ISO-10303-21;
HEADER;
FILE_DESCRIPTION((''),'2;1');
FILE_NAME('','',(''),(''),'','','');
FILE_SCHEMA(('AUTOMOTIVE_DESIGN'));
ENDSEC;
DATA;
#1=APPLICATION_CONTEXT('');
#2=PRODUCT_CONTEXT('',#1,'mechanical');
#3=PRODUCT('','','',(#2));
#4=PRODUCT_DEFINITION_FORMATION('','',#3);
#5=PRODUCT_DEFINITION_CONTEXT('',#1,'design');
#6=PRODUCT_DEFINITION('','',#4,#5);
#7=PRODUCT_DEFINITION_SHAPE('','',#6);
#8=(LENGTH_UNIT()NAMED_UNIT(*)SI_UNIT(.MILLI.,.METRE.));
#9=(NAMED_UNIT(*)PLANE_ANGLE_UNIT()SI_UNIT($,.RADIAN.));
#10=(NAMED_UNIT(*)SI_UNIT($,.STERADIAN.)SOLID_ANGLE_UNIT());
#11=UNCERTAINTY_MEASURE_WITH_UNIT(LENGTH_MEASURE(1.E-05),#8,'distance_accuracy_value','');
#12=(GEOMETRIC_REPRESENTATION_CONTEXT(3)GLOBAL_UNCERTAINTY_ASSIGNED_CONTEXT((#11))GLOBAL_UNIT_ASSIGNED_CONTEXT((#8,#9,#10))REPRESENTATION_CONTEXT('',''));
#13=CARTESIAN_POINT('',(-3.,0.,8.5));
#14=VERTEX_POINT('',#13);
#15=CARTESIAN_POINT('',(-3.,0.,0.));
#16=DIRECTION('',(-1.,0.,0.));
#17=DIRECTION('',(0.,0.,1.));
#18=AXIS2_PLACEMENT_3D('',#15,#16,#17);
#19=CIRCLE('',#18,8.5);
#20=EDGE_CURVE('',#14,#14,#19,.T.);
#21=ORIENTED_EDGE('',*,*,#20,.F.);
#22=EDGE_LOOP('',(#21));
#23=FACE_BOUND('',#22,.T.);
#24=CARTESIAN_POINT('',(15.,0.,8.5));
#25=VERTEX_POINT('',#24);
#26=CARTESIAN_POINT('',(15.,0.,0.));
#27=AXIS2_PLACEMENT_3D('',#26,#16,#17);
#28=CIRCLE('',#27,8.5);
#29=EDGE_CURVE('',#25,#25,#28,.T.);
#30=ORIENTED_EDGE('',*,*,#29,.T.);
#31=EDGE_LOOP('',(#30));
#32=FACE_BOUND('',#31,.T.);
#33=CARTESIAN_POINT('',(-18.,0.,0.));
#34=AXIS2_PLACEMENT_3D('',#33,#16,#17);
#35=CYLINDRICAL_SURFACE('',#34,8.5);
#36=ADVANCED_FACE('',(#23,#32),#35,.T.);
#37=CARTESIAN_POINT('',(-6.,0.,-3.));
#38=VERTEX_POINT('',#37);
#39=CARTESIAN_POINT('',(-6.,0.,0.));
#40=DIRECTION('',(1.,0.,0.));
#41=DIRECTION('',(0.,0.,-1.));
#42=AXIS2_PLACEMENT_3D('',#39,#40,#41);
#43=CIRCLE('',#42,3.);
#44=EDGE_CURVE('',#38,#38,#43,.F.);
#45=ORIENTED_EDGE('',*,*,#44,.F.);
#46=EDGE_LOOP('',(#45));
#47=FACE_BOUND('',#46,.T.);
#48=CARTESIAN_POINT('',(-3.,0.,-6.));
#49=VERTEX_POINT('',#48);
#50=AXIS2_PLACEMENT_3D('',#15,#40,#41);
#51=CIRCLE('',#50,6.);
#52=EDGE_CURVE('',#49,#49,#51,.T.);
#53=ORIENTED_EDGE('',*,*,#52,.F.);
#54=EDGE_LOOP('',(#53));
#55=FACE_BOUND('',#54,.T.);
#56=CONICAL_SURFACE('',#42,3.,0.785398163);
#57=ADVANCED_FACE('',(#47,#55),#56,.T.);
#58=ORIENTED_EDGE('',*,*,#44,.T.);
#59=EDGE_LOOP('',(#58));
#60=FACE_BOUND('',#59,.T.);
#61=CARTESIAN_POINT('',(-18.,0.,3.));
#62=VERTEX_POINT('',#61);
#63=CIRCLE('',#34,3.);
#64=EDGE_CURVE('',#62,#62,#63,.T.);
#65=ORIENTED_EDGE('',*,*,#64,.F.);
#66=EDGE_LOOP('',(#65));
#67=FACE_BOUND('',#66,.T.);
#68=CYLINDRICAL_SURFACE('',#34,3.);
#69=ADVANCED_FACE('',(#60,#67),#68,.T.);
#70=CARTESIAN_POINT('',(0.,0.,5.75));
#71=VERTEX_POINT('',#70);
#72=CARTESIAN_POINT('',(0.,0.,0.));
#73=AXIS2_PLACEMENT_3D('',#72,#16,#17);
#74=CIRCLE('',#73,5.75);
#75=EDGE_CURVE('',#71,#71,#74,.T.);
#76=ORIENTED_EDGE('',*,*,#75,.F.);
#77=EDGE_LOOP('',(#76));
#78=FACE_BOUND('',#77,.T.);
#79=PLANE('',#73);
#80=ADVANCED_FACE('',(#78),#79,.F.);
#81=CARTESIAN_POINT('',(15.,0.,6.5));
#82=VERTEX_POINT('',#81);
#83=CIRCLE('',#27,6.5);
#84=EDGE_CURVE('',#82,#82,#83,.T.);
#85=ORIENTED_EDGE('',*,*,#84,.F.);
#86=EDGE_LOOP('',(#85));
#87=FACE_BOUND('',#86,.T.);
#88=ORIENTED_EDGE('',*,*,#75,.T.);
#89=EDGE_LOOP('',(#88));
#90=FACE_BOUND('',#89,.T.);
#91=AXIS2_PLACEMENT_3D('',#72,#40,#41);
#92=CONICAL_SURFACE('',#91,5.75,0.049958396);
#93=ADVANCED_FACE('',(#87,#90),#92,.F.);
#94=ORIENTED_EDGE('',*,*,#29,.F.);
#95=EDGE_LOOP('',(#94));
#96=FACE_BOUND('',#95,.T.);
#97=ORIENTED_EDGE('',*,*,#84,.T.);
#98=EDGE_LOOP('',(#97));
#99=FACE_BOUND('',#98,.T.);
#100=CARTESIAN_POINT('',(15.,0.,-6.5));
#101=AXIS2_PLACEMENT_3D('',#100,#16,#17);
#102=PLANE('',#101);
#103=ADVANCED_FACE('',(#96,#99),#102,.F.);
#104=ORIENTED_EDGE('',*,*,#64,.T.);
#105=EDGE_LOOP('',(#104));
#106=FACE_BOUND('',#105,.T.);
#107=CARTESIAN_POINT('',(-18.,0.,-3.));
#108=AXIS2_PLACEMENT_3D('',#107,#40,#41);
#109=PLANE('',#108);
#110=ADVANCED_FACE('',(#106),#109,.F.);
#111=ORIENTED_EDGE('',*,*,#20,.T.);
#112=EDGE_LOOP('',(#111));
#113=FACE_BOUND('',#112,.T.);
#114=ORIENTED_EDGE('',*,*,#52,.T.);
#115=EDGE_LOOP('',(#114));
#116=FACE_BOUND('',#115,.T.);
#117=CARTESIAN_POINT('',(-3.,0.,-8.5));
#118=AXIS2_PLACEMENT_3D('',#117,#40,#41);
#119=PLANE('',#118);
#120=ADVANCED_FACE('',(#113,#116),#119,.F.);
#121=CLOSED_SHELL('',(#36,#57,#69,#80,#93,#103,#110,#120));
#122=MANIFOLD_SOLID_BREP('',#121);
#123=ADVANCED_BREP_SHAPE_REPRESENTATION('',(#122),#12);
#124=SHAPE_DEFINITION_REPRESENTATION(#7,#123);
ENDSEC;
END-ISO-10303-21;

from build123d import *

# Parameters (mm, degrees)
CHAMFER_1_SIZE = 3


with BuildPart() as part:
    # 草图1 → 旋转1 (revolve)
    with BuildSketch(Plane(origin=(0, 0, 0), x_dir=(1, 0, 0), z_dir=(0, 1, 0))):
        Polygon((15, 8.5), (-3, 8.5), (-3, 3), (-18, 3), (-18, 0), (0, 0), (0, 5.75), (15, 6.5), align=None)
    revolve(axis=Axis((-18, 0, 0), (1, 0, 0)))

    # 倒角1
    chamfer_1_edges = [part.edges().sort_by_distance(p)[0] for p in [
        (-3, 0, 3),
    ]]
    chamfer(chamfer_1_edges, length=CHAMFER_1_SIZE)


solid = part.part
